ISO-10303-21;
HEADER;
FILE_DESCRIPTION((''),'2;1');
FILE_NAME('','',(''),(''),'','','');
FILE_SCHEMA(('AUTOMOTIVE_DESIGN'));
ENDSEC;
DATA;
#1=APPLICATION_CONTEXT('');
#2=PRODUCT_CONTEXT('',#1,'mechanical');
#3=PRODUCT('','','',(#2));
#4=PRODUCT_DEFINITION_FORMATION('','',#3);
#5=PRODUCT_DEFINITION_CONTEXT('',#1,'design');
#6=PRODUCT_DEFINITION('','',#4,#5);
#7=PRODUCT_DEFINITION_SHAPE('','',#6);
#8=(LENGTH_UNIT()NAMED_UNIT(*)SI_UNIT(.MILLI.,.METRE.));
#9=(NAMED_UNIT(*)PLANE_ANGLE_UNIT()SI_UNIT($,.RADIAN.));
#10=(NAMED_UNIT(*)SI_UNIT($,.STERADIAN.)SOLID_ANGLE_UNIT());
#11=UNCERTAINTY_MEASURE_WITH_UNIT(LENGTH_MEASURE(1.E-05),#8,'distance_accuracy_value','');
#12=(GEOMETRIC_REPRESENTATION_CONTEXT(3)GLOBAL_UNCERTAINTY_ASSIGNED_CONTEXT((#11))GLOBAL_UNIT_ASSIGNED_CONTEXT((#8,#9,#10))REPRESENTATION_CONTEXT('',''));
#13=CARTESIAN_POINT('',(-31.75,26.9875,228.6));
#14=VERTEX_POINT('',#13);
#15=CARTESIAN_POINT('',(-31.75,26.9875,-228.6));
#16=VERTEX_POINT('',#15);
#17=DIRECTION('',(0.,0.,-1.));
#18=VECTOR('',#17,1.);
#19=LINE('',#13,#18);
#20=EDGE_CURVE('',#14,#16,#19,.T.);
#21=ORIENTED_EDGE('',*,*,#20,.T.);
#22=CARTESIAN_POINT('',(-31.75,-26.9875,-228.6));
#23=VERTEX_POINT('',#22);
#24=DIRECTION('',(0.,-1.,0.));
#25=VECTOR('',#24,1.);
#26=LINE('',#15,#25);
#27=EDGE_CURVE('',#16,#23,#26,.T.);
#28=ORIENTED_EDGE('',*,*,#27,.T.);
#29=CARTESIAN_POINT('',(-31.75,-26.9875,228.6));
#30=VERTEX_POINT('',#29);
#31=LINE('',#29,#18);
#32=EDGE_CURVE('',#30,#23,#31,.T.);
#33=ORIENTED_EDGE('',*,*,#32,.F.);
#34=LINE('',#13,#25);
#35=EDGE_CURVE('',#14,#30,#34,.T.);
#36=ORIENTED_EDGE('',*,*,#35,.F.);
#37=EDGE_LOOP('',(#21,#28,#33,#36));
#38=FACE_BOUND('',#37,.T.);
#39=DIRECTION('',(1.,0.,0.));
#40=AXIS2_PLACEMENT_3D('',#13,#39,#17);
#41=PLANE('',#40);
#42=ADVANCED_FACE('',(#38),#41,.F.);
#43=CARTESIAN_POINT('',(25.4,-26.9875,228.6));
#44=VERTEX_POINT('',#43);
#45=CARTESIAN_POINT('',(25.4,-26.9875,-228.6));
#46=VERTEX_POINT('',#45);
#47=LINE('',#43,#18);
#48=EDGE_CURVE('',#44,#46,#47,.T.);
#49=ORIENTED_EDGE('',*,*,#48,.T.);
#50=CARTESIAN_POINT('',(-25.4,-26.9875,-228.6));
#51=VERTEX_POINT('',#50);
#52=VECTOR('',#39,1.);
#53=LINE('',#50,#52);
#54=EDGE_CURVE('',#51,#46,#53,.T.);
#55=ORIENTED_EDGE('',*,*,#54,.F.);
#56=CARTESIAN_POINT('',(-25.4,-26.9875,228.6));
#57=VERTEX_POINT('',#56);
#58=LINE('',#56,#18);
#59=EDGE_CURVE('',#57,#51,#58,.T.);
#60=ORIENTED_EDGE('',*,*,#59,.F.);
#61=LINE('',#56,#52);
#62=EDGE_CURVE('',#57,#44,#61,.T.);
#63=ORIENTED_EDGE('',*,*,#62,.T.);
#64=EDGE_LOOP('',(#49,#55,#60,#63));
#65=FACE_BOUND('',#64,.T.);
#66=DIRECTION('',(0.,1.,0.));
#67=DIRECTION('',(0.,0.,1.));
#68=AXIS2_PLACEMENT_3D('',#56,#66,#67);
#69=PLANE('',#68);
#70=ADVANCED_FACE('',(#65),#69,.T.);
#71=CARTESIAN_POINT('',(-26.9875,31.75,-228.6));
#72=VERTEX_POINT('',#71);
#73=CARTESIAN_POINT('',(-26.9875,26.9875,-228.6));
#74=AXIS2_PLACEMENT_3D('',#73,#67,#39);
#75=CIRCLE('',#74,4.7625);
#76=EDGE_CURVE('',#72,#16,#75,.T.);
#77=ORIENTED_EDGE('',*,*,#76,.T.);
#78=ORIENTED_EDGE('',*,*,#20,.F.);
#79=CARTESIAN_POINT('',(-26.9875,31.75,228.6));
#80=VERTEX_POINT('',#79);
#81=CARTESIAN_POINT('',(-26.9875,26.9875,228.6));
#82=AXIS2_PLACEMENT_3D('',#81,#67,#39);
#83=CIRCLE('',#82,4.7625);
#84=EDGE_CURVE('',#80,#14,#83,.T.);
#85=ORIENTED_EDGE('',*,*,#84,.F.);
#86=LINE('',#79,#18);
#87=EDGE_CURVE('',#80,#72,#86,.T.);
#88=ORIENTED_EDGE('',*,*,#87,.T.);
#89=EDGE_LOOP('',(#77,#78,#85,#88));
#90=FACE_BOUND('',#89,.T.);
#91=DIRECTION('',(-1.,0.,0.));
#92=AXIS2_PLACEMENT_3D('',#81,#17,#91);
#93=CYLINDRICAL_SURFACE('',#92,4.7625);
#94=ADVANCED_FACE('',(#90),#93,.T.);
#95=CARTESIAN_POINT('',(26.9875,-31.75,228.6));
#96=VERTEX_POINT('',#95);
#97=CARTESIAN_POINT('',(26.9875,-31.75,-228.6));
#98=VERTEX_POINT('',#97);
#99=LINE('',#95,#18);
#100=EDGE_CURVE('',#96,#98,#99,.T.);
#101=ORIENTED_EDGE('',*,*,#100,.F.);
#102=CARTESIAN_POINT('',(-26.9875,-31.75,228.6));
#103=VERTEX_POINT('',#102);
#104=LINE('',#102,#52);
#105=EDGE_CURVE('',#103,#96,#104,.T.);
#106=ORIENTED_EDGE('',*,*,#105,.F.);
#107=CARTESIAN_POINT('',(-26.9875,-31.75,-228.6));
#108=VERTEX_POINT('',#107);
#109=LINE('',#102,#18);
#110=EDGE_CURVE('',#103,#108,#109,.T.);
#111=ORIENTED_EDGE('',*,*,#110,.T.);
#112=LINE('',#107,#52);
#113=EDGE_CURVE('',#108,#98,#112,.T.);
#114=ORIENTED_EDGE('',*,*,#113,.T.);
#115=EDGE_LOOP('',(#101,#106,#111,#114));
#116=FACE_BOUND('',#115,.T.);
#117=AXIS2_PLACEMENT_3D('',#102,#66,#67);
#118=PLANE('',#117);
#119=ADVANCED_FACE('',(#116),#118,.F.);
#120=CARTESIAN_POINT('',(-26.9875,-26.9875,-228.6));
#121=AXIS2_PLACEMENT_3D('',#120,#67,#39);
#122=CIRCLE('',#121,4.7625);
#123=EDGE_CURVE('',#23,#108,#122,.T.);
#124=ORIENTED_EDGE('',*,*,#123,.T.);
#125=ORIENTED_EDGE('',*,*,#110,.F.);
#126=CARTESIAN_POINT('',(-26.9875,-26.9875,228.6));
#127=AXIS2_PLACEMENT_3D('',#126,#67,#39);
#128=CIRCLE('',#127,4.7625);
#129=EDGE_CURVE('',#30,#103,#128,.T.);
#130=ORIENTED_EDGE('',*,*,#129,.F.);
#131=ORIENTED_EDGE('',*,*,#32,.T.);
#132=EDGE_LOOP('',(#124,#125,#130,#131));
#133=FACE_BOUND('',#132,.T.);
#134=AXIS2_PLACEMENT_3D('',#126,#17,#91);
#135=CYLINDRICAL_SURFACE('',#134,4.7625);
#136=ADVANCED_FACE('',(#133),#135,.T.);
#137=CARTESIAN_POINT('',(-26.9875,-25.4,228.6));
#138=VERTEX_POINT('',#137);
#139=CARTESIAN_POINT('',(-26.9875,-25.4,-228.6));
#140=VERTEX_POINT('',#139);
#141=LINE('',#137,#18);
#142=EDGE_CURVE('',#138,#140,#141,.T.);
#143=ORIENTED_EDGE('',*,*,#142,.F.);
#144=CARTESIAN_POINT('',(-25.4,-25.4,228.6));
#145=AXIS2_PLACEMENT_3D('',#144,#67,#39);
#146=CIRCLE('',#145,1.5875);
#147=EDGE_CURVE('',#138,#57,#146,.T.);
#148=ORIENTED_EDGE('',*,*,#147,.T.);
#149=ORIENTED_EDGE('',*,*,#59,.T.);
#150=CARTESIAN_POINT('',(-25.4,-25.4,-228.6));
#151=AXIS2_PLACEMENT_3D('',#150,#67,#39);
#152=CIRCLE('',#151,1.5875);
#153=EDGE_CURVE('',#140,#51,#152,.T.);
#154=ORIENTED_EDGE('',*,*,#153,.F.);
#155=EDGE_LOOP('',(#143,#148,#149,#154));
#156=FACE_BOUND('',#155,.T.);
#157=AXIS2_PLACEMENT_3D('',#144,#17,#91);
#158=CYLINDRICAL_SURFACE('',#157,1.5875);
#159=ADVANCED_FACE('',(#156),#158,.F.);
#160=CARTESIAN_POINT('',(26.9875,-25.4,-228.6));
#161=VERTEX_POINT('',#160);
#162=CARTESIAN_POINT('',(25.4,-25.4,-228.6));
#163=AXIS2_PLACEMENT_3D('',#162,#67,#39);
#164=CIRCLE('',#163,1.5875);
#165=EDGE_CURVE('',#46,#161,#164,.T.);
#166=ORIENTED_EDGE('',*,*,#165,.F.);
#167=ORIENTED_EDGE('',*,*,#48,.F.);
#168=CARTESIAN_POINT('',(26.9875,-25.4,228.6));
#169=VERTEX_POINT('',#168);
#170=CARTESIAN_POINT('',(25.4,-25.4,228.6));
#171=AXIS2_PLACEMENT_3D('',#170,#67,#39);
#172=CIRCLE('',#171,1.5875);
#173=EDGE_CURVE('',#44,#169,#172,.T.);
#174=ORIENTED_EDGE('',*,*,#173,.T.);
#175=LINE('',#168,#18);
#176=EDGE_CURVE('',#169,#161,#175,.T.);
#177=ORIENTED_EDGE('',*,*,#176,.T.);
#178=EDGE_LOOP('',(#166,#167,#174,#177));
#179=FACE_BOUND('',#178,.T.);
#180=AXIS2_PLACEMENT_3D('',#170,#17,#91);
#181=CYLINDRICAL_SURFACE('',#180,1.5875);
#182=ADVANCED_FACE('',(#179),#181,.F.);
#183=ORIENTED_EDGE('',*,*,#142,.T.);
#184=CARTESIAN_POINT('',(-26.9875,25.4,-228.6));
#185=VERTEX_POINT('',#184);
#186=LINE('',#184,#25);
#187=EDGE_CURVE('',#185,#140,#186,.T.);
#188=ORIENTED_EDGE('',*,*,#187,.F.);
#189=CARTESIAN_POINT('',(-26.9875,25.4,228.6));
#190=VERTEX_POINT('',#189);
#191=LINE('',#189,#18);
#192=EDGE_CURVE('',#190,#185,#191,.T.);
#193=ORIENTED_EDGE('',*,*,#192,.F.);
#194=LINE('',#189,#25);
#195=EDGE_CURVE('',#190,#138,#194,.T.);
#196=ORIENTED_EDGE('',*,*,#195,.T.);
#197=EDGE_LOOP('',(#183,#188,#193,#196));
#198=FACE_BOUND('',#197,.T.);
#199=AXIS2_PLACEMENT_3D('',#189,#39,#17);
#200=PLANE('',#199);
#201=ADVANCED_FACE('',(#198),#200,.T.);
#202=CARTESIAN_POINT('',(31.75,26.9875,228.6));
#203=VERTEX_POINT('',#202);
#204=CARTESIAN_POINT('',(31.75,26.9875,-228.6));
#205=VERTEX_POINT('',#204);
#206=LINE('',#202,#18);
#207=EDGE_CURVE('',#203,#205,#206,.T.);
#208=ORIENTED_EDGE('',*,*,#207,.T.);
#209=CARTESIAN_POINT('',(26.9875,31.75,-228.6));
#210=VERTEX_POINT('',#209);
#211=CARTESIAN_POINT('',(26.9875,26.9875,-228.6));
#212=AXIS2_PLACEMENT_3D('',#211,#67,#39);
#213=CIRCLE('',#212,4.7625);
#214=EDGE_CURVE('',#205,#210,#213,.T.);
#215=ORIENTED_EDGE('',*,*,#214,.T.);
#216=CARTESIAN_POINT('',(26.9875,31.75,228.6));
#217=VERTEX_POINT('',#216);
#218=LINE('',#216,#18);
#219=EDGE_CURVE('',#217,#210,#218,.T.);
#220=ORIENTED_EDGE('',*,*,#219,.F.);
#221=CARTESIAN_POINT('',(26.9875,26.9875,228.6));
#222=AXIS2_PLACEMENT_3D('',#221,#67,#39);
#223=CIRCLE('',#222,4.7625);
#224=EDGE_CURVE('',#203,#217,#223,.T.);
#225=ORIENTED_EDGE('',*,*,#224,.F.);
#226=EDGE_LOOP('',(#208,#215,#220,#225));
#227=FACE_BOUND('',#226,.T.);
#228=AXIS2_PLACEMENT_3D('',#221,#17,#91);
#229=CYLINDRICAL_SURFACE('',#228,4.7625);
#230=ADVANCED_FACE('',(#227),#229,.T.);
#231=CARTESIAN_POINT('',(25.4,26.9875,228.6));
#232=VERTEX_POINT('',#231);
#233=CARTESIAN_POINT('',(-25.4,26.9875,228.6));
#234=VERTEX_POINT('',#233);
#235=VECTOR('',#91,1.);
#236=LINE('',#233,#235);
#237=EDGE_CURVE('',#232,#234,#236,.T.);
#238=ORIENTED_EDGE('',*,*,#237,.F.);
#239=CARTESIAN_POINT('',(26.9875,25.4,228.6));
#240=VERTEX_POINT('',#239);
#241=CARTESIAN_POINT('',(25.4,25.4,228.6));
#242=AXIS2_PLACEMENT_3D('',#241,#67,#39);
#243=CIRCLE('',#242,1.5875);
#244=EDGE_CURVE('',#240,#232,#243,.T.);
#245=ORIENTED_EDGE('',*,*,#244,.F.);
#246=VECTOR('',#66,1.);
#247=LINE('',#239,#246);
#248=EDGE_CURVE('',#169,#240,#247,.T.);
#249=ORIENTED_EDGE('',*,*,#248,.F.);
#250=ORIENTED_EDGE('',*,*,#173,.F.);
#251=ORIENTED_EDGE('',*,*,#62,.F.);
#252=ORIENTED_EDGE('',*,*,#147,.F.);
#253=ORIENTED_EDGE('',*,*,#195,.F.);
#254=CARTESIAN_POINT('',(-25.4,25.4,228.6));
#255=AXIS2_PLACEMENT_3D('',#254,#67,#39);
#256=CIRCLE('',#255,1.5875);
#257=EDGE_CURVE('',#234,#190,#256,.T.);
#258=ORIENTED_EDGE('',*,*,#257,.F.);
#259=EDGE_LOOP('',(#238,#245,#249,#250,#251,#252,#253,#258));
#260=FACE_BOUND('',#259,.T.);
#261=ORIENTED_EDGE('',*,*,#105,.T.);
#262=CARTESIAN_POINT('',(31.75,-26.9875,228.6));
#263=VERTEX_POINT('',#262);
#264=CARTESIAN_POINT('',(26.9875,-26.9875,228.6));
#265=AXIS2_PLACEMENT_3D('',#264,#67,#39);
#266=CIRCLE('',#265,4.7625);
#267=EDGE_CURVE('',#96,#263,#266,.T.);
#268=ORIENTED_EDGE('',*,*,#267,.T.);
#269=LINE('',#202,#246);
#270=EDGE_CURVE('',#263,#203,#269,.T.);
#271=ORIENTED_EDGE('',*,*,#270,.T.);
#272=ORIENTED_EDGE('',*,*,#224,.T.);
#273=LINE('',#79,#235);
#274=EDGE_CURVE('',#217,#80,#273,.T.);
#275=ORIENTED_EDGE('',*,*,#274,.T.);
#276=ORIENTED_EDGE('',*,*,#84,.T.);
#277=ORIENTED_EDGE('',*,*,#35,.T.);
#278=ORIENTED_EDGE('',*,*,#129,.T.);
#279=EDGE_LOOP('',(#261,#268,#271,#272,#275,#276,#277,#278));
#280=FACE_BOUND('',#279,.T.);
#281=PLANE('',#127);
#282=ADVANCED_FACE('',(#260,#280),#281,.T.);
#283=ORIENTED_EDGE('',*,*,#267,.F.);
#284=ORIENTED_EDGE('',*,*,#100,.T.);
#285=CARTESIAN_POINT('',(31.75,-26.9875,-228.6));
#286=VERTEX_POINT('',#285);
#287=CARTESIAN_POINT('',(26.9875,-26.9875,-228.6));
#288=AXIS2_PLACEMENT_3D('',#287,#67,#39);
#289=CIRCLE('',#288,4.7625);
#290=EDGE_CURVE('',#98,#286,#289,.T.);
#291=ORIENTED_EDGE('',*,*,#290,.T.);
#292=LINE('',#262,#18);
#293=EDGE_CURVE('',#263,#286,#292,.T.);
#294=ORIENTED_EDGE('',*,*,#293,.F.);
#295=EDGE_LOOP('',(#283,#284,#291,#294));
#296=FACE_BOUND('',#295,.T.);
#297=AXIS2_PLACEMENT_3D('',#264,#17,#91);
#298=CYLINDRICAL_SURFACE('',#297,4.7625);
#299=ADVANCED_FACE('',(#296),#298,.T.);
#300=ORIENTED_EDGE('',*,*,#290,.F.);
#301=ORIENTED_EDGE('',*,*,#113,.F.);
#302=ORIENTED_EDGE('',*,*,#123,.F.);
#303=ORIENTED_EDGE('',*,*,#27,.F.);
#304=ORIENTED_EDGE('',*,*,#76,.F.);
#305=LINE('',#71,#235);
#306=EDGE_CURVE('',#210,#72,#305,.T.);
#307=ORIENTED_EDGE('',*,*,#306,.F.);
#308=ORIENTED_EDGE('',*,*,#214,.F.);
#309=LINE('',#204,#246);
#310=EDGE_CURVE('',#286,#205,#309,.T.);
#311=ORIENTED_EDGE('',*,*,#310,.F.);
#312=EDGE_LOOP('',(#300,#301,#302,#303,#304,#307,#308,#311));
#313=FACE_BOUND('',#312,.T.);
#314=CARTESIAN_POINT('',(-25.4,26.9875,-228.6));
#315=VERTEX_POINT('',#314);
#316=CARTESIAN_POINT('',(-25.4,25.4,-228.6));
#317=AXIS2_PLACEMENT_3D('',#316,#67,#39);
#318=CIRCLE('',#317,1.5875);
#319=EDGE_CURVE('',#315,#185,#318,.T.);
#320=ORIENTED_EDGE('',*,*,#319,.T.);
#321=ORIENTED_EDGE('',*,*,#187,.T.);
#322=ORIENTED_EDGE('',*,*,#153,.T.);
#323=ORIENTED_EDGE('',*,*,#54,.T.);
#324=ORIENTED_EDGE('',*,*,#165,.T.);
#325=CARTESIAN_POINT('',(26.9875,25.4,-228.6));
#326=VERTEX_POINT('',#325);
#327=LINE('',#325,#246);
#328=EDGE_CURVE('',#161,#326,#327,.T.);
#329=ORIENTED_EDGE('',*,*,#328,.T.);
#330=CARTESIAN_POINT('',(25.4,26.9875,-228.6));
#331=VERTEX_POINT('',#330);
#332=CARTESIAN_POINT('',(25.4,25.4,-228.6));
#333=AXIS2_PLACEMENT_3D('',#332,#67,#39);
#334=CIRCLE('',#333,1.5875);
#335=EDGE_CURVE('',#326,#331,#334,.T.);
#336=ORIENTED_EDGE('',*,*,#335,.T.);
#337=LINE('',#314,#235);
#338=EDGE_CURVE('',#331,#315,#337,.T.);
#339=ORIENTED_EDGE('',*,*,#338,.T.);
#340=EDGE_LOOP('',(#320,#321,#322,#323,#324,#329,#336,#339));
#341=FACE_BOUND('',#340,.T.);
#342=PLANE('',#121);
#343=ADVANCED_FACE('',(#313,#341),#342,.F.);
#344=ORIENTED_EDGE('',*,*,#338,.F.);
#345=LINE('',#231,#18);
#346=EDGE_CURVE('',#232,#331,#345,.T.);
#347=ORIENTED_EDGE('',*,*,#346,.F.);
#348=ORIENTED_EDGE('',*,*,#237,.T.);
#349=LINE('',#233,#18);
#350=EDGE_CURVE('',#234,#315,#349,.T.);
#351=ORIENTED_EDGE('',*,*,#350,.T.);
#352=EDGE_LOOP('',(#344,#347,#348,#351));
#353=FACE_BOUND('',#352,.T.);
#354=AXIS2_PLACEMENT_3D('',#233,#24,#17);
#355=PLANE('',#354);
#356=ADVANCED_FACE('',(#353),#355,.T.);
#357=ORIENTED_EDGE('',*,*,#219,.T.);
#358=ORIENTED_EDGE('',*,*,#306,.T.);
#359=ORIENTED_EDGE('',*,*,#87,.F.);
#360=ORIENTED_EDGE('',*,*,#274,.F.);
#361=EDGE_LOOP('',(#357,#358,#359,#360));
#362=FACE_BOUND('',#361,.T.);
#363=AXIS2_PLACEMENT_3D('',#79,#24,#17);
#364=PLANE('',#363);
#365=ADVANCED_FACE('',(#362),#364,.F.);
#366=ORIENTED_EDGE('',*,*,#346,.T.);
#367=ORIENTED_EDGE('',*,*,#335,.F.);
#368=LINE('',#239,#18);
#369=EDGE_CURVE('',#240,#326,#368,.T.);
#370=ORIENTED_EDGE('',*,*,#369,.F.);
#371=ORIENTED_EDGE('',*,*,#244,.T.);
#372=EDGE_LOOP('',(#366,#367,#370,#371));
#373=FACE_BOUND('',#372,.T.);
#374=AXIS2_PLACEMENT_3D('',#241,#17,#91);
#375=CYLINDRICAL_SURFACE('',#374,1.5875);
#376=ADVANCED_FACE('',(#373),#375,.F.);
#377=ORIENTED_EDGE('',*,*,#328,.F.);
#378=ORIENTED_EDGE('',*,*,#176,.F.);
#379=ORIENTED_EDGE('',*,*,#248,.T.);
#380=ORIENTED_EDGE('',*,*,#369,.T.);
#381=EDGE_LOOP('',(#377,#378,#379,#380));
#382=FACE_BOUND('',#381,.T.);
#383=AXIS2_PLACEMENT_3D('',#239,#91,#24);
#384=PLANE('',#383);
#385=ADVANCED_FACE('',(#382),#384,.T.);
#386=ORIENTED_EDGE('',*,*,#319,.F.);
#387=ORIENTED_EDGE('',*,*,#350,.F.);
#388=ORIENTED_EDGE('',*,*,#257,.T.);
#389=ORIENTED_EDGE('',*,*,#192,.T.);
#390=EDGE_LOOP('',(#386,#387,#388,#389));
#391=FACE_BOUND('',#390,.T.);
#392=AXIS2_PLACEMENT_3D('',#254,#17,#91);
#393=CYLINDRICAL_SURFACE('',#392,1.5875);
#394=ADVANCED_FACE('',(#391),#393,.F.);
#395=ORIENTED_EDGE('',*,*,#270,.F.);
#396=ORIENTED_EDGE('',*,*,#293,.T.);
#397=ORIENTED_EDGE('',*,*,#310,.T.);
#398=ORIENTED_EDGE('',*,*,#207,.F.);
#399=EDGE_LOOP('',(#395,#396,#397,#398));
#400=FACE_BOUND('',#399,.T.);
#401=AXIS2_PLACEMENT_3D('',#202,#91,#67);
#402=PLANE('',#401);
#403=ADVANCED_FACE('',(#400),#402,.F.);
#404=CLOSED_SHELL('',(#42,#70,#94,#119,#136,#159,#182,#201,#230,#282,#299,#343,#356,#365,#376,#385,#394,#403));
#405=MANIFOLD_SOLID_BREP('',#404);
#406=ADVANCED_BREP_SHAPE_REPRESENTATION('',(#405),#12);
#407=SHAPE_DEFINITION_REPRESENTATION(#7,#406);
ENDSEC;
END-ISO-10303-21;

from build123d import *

# Parameters (mm, degrees)
BOSS_EXTRUDE1_DEPTH = 228.6


with BuildPart() as part:
    # Sketch1 → Boss-Extrude1 (new body, symmetric)
    with BuildSketch(Plane.XY):
        with BuildLine():
            Line((-26.9875, 31.75), (26.9875, 31.75))
            ThreePointArc((26.9875, 31.75), (30.355096045, 30.355096045), (31.75, 26.9875))
            Line((31.75, 26.9875), (31.75, -26.9875))
            ThreePointArc((31.75, -26.9875), (30.355096045, -30.355096045), (26.9875, -31.75))
            Line((26.9875, -31.75), (-26.9875, -31.75))
            ThreePointArc((-26.9875, -31.75), (-30.355096045, -30.355096045), (-31.75, -26.9875))
            Line((-31.75, -26.9875), (-31.75, 26.9875))
            ThreePointArc((-31.75, 26.9875), (-30.355096045, 30.355096045), (-26.9875, 31.75))
        make_face()
        with BuildLine():
            Line((-25.4, 26.9875), (25.4, 26.9875))
            ThreePointArc((25.4, 26.9875), (26.522532015, 26.522532015), (26.9875, 25.4))
            Line((26.9875, 25.4), (26.9875, -25.4))
            ThreePointArc((26.9875, -25.4), (26.522532015, -26.522532015), (25.4, -26.9875))
            Line((25.4, -26.9875), (-25.4, -26.9875))
            ThreePointArc((-25.4, -26.9875), (-26.522532015, -26.522532015), (-26.9875, -25.4))
            Line((-26.9875, -25.4), (-26.9875, 25.4))
            ThreePointArc((-26.9875, 25.4), (-26.522532015, 26.522532015), (-25.4, 26.9875))
        make_face(mode=Mode.SUBTRACT)
    extrude(amount=BOSS_EXTRUDE1_DEPTH, both=True)


solid = part.part
